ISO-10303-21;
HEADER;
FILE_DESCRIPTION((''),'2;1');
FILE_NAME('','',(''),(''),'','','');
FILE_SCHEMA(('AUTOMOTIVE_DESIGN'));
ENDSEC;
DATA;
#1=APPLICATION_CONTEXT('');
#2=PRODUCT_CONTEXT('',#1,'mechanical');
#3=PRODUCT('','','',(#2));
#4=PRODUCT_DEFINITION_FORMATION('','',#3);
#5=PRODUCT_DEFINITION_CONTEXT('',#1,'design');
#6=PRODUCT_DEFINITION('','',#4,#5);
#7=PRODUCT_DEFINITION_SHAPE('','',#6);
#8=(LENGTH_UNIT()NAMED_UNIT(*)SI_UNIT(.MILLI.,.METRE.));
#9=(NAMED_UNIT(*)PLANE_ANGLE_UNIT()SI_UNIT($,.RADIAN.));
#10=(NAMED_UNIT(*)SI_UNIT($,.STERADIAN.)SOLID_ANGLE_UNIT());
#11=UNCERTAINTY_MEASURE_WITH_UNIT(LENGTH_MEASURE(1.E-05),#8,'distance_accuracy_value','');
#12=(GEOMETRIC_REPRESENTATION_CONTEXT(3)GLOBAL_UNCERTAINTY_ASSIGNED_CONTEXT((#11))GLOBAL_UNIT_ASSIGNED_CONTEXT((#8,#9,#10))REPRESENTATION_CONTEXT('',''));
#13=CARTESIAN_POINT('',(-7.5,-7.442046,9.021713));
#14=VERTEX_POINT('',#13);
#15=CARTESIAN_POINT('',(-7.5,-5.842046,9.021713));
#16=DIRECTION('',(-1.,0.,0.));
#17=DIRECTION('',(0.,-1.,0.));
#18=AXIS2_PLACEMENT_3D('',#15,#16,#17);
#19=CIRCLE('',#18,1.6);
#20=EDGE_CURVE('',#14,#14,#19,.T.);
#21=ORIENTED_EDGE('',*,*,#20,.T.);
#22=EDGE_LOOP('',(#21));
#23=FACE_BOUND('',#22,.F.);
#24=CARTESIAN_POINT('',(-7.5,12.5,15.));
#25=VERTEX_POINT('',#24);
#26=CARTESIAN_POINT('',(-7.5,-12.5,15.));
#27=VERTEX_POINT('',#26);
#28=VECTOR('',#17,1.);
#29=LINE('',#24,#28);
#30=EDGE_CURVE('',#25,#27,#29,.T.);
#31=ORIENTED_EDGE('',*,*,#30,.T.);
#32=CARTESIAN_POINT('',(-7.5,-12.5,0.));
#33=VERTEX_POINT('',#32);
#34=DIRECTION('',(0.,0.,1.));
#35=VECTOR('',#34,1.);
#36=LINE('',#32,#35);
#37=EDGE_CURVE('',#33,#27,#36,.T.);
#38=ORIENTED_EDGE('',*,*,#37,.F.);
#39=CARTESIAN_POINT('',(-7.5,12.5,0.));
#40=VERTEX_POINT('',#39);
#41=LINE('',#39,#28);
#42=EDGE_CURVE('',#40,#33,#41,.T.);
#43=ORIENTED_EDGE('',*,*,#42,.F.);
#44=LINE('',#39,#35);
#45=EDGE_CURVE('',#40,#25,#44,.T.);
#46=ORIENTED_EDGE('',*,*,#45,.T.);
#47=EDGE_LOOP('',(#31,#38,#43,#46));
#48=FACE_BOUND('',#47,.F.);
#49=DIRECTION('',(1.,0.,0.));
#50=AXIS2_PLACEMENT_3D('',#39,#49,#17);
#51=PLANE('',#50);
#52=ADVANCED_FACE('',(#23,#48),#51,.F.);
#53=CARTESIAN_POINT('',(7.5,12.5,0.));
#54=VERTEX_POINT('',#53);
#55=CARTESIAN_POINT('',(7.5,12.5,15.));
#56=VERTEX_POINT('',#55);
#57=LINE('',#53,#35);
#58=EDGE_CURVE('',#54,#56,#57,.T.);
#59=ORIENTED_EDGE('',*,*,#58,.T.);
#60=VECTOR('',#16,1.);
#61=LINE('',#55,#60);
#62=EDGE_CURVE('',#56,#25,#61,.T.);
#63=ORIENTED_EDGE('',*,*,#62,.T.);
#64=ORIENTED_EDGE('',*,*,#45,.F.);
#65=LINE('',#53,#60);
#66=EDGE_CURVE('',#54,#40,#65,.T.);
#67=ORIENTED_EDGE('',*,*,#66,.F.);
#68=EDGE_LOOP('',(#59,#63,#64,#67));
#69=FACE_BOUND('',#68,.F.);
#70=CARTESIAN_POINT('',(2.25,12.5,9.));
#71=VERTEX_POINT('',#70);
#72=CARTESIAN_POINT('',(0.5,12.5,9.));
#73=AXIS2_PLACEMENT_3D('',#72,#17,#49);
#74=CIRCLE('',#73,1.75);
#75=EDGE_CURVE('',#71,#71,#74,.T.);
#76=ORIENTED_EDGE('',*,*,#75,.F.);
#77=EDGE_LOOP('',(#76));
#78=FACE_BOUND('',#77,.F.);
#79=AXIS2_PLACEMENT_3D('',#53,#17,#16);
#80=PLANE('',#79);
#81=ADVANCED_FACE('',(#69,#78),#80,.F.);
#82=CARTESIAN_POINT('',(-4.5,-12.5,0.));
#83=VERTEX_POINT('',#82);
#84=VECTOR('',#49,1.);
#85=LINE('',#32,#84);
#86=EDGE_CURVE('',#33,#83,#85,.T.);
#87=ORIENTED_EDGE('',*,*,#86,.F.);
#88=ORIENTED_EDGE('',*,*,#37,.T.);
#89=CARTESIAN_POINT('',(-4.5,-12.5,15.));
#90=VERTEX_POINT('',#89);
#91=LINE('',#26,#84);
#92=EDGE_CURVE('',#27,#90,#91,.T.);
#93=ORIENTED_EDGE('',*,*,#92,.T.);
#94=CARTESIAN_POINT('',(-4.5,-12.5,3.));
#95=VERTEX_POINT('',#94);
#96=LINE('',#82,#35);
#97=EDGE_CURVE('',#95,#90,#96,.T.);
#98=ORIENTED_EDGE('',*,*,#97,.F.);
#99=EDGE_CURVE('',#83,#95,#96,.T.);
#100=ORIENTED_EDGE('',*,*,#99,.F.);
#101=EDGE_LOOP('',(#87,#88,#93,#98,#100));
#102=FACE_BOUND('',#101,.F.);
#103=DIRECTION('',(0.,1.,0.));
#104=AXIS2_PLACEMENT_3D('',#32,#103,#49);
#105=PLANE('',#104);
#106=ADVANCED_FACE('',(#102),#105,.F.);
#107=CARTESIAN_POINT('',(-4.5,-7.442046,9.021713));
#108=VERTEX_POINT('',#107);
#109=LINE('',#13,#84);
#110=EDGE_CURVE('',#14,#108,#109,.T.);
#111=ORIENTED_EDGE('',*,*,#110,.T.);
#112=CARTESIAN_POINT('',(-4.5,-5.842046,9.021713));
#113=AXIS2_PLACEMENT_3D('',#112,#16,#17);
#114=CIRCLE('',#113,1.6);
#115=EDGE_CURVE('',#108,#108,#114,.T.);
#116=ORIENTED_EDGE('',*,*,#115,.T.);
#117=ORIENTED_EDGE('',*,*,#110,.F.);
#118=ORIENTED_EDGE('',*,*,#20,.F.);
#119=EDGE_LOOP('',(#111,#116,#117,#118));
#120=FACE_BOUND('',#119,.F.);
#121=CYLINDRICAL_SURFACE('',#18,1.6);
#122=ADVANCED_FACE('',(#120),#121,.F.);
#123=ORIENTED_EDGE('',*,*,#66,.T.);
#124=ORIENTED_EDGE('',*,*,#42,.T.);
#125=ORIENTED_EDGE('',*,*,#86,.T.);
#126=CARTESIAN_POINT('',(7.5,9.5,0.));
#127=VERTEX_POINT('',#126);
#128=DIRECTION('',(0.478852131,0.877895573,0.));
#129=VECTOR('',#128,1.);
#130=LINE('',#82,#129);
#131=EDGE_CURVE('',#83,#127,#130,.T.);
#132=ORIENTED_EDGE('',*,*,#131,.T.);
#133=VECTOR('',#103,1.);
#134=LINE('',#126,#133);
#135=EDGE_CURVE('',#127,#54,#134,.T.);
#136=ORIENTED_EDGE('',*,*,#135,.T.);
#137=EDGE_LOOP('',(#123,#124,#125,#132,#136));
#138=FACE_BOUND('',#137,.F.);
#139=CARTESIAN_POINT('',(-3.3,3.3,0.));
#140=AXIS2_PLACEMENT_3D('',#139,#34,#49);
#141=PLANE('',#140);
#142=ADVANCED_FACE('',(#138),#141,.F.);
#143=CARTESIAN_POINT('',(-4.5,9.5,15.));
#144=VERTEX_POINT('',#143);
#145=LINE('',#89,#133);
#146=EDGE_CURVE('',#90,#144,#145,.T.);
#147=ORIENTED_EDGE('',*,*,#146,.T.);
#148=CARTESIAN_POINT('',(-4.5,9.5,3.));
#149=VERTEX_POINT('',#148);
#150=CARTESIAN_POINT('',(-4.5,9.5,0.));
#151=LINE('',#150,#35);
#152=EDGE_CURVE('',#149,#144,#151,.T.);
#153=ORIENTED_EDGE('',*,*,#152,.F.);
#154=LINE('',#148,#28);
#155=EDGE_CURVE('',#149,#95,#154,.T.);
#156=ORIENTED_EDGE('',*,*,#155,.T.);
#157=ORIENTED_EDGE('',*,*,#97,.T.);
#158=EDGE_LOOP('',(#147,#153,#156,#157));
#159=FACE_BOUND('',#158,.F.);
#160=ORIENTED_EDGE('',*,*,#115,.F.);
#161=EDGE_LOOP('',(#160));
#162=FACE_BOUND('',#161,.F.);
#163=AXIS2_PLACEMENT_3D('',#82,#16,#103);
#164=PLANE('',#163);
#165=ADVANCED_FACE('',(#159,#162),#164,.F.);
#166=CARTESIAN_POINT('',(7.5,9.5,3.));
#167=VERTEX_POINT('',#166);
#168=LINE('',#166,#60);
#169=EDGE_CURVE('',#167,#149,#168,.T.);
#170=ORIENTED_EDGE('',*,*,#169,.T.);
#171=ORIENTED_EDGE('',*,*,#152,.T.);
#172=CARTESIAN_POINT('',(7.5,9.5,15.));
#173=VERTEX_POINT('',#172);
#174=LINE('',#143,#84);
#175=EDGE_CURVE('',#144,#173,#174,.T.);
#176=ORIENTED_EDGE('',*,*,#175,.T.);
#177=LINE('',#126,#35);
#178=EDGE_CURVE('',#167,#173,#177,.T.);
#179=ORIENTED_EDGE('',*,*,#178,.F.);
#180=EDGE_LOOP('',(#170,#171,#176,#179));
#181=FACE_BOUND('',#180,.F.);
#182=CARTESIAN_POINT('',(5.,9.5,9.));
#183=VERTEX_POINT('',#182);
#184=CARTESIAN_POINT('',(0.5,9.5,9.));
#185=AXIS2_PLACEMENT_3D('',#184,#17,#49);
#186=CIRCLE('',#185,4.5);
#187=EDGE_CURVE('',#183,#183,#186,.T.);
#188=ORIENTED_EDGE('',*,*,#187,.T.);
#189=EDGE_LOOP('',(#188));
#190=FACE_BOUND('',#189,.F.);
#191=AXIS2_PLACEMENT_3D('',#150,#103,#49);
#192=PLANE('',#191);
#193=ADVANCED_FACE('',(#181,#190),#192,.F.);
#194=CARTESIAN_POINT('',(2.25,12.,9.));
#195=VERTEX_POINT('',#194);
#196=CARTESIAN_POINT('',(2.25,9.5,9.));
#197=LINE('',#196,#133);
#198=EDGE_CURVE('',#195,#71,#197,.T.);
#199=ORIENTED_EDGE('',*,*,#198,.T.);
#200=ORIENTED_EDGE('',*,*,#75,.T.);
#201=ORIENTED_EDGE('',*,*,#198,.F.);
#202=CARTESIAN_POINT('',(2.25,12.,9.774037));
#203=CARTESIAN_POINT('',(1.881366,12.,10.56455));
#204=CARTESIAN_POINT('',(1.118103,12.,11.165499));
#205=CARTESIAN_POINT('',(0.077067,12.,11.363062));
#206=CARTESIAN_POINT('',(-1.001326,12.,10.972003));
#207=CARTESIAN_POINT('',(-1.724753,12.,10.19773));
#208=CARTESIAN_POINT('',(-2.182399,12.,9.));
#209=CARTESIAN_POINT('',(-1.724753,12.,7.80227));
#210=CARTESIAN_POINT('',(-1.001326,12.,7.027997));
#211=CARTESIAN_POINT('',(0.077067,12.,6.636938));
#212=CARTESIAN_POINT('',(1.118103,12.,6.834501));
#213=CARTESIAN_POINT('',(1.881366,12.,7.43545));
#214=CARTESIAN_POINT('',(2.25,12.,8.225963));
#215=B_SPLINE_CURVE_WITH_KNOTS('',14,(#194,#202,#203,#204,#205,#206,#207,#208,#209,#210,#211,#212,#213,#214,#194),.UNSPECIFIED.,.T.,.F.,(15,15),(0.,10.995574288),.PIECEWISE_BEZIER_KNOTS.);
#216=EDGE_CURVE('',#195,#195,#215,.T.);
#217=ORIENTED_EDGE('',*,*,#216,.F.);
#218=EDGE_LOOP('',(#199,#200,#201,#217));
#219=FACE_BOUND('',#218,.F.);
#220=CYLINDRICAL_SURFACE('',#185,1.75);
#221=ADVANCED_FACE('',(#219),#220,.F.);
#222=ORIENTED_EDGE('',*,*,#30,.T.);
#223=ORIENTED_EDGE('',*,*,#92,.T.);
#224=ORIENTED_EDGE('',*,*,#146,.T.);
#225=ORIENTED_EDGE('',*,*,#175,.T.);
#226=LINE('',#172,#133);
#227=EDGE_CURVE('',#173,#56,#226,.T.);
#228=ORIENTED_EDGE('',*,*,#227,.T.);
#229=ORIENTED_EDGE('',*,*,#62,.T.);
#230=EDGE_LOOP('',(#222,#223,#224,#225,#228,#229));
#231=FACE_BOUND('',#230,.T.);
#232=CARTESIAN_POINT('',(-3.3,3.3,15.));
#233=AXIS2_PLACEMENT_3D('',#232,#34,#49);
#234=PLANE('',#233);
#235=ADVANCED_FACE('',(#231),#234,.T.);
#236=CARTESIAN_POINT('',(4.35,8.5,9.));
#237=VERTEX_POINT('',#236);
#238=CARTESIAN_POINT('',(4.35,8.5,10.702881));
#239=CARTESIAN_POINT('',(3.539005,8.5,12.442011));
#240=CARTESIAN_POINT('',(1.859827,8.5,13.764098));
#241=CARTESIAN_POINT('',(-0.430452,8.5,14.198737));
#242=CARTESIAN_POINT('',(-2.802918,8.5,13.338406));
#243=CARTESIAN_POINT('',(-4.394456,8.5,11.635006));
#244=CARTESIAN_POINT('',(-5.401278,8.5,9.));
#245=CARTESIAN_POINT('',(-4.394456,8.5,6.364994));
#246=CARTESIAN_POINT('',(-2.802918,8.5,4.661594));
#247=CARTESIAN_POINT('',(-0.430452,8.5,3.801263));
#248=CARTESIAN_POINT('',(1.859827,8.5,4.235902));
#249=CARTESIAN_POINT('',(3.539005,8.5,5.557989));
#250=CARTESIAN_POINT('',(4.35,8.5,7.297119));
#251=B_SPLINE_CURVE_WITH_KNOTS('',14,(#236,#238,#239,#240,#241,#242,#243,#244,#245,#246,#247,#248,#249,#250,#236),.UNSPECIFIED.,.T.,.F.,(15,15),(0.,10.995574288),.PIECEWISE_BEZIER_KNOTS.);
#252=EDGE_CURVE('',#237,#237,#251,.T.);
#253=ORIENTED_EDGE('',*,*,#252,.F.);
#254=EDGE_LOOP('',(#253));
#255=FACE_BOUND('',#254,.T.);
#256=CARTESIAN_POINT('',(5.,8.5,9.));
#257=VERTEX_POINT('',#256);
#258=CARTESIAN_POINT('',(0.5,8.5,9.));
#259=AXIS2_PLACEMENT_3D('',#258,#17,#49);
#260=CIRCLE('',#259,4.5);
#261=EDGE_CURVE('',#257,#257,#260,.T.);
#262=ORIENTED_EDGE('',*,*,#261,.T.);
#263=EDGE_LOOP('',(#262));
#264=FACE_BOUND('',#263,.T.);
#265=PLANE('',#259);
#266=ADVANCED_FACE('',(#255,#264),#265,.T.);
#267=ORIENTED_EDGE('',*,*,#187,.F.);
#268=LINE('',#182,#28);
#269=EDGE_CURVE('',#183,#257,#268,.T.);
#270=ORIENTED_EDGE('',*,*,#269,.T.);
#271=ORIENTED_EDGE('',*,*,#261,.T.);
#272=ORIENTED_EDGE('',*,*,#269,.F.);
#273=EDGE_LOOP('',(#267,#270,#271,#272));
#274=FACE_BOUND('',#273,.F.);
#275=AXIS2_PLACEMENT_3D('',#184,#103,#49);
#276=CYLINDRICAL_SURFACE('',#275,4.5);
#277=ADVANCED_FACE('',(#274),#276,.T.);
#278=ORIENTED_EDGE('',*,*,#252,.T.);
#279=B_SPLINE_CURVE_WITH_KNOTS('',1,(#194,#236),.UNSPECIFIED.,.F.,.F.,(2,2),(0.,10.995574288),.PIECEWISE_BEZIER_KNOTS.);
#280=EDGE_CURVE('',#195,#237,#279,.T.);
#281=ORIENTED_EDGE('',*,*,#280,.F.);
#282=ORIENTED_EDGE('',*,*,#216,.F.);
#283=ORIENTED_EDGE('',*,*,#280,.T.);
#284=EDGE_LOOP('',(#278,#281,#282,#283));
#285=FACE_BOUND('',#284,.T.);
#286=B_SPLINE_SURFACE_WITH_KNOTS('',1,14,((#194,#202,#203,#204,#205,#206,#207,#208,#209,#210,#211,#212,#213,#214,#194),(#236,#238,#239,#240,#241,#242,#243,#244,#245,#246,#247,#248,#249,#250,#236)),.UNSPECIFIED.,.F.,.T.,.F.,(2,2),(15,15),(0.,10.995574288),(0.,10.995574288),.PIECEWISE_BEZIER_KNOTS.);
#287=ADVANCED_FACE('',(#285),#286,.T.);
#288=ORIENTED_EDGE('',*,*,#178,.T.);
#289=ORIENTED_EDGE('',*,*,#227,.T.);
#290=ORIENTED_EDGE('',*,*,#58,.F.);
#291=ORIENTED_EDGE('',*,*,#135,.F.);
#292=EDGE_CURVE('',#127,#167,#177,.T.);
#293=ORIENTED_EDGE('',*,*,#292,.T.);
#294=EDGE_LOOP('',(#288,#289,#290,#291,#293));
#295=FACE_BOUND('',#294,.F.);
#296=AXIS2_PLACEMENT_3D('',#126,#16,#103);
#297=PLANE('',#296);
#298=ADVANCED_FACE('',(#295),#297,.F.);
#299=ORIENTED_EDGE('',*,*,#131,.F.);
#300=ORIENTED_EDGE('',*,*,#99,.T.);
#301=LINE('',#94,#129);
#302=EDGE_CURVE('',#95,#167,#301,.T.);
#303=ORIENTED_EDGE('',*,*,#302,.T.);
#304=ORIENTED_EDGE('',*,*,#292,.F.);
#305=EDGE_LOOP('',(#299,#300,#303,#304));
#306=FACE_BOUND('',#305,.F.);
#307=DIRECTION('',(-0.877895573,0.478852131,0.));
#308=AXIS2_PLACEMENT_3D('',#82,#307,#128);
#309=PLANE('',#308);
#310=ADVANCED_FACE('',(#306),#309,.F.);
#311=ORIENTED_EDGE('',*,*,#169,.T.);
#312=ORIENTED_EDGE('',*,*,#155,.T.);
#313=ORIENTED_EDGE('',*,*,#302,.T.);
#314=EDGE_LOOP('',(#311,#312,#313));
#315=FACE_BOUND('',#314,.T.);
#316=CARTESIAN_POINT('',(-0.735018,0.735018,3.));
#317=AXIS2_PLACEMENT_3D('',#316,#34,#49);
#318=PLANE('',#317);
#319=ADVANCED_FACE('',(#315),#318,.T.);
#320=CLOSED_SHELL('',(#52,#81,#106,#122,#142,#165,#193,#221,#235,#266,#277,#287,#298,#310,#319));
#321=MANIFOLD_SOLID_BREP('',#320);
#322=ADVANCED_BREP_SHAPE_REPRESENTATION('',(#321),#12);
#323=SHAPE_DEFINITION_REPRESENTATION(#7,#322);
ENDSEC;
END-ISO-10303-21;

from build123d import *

# Parameters (mm, degrees)
F1_DEPTH = 3
F2_DEPTH = 15
F3_R     = 1.6
F4_DEPTH = 25
F5_R     = 1.75
F6_DEPTH = 25
F5_R_2   = 4.5
F5_R_3   = 3.5
F7_DEPTH = 1
F8_SIZE2 = 2.1
F8_SIZE  = 3.5


with BuildPart() as f1:
    # F0 (on Top) → F1 (new body)
    with BuildSketch(Plane.XY):
        Polygon((-4.5, -12.5), (7.5, 9.5), (-4.5, 9.5), align=None)
    extrude(amount=F1_DEPTH)

    # F0 (on Top) → F2 (join)
    with BuildSketch(Plane.XY):
        Polygon((7.5, 9.5), (7.5, 12.5), (-7.5, 12.5), (-7.5, -12.5), (-4.5, -12.5), (-4.5, 9.5), align=None)
    extrude(amount=F2_DEPTH)

    # F3 (on face) → F4 (cut)
    with BuildSketch(Plane(origin=(-7.5, 0, 0), x_dir=(0, -1, 0), z_dir=(-1, 0, 0))):
        with Locations((5.8420459367, 9.0217133984)):
            Circle(F3_R)
    extrude(amount=-F4_DEPTH, mode=Mode.SUBTRACT)

    # F5 (on face) → F6 (cut)
    with BuildSketch(Plane.XZ.offset(-9.5)):
        with Locations((0.5, 9)):
            Circle(F5_R)
    extrude(amount=-F6_DEPTH, mode=Mode.SUBTRACT)

    # F5 (on face) → F7 (join)
    with BuildSketch(Plane.XZ.offset(-9.5)):
        with Locations((0.5, 9)):
            Circle(F5_R_2)
        with Locations((0.5, 9)):
            Circle(F5_R_3, mode=Mode.SUBTRACT)
        with Locations((0.5, 9)):
            Circle(F5_R_3)
        with Locations((0.5, 9)):
            Circle(F5_R, mode=Mode.SUBTRACT)
    extrude(amount=F7_DEPTH)

    # F8
    f8_edges = [f1.edges().sort_by_distance(p)[0] for p in [
        (-1.25, 8.5, 9),
    ]]
    f8_side = f1.faces().sort_by_distance((-1.25, 9, 9))[0]
    chamfer(f8_edges, length=F8_SIZE, length2=F8_SIZE2, reference=f8_side)


solid = f1.part
